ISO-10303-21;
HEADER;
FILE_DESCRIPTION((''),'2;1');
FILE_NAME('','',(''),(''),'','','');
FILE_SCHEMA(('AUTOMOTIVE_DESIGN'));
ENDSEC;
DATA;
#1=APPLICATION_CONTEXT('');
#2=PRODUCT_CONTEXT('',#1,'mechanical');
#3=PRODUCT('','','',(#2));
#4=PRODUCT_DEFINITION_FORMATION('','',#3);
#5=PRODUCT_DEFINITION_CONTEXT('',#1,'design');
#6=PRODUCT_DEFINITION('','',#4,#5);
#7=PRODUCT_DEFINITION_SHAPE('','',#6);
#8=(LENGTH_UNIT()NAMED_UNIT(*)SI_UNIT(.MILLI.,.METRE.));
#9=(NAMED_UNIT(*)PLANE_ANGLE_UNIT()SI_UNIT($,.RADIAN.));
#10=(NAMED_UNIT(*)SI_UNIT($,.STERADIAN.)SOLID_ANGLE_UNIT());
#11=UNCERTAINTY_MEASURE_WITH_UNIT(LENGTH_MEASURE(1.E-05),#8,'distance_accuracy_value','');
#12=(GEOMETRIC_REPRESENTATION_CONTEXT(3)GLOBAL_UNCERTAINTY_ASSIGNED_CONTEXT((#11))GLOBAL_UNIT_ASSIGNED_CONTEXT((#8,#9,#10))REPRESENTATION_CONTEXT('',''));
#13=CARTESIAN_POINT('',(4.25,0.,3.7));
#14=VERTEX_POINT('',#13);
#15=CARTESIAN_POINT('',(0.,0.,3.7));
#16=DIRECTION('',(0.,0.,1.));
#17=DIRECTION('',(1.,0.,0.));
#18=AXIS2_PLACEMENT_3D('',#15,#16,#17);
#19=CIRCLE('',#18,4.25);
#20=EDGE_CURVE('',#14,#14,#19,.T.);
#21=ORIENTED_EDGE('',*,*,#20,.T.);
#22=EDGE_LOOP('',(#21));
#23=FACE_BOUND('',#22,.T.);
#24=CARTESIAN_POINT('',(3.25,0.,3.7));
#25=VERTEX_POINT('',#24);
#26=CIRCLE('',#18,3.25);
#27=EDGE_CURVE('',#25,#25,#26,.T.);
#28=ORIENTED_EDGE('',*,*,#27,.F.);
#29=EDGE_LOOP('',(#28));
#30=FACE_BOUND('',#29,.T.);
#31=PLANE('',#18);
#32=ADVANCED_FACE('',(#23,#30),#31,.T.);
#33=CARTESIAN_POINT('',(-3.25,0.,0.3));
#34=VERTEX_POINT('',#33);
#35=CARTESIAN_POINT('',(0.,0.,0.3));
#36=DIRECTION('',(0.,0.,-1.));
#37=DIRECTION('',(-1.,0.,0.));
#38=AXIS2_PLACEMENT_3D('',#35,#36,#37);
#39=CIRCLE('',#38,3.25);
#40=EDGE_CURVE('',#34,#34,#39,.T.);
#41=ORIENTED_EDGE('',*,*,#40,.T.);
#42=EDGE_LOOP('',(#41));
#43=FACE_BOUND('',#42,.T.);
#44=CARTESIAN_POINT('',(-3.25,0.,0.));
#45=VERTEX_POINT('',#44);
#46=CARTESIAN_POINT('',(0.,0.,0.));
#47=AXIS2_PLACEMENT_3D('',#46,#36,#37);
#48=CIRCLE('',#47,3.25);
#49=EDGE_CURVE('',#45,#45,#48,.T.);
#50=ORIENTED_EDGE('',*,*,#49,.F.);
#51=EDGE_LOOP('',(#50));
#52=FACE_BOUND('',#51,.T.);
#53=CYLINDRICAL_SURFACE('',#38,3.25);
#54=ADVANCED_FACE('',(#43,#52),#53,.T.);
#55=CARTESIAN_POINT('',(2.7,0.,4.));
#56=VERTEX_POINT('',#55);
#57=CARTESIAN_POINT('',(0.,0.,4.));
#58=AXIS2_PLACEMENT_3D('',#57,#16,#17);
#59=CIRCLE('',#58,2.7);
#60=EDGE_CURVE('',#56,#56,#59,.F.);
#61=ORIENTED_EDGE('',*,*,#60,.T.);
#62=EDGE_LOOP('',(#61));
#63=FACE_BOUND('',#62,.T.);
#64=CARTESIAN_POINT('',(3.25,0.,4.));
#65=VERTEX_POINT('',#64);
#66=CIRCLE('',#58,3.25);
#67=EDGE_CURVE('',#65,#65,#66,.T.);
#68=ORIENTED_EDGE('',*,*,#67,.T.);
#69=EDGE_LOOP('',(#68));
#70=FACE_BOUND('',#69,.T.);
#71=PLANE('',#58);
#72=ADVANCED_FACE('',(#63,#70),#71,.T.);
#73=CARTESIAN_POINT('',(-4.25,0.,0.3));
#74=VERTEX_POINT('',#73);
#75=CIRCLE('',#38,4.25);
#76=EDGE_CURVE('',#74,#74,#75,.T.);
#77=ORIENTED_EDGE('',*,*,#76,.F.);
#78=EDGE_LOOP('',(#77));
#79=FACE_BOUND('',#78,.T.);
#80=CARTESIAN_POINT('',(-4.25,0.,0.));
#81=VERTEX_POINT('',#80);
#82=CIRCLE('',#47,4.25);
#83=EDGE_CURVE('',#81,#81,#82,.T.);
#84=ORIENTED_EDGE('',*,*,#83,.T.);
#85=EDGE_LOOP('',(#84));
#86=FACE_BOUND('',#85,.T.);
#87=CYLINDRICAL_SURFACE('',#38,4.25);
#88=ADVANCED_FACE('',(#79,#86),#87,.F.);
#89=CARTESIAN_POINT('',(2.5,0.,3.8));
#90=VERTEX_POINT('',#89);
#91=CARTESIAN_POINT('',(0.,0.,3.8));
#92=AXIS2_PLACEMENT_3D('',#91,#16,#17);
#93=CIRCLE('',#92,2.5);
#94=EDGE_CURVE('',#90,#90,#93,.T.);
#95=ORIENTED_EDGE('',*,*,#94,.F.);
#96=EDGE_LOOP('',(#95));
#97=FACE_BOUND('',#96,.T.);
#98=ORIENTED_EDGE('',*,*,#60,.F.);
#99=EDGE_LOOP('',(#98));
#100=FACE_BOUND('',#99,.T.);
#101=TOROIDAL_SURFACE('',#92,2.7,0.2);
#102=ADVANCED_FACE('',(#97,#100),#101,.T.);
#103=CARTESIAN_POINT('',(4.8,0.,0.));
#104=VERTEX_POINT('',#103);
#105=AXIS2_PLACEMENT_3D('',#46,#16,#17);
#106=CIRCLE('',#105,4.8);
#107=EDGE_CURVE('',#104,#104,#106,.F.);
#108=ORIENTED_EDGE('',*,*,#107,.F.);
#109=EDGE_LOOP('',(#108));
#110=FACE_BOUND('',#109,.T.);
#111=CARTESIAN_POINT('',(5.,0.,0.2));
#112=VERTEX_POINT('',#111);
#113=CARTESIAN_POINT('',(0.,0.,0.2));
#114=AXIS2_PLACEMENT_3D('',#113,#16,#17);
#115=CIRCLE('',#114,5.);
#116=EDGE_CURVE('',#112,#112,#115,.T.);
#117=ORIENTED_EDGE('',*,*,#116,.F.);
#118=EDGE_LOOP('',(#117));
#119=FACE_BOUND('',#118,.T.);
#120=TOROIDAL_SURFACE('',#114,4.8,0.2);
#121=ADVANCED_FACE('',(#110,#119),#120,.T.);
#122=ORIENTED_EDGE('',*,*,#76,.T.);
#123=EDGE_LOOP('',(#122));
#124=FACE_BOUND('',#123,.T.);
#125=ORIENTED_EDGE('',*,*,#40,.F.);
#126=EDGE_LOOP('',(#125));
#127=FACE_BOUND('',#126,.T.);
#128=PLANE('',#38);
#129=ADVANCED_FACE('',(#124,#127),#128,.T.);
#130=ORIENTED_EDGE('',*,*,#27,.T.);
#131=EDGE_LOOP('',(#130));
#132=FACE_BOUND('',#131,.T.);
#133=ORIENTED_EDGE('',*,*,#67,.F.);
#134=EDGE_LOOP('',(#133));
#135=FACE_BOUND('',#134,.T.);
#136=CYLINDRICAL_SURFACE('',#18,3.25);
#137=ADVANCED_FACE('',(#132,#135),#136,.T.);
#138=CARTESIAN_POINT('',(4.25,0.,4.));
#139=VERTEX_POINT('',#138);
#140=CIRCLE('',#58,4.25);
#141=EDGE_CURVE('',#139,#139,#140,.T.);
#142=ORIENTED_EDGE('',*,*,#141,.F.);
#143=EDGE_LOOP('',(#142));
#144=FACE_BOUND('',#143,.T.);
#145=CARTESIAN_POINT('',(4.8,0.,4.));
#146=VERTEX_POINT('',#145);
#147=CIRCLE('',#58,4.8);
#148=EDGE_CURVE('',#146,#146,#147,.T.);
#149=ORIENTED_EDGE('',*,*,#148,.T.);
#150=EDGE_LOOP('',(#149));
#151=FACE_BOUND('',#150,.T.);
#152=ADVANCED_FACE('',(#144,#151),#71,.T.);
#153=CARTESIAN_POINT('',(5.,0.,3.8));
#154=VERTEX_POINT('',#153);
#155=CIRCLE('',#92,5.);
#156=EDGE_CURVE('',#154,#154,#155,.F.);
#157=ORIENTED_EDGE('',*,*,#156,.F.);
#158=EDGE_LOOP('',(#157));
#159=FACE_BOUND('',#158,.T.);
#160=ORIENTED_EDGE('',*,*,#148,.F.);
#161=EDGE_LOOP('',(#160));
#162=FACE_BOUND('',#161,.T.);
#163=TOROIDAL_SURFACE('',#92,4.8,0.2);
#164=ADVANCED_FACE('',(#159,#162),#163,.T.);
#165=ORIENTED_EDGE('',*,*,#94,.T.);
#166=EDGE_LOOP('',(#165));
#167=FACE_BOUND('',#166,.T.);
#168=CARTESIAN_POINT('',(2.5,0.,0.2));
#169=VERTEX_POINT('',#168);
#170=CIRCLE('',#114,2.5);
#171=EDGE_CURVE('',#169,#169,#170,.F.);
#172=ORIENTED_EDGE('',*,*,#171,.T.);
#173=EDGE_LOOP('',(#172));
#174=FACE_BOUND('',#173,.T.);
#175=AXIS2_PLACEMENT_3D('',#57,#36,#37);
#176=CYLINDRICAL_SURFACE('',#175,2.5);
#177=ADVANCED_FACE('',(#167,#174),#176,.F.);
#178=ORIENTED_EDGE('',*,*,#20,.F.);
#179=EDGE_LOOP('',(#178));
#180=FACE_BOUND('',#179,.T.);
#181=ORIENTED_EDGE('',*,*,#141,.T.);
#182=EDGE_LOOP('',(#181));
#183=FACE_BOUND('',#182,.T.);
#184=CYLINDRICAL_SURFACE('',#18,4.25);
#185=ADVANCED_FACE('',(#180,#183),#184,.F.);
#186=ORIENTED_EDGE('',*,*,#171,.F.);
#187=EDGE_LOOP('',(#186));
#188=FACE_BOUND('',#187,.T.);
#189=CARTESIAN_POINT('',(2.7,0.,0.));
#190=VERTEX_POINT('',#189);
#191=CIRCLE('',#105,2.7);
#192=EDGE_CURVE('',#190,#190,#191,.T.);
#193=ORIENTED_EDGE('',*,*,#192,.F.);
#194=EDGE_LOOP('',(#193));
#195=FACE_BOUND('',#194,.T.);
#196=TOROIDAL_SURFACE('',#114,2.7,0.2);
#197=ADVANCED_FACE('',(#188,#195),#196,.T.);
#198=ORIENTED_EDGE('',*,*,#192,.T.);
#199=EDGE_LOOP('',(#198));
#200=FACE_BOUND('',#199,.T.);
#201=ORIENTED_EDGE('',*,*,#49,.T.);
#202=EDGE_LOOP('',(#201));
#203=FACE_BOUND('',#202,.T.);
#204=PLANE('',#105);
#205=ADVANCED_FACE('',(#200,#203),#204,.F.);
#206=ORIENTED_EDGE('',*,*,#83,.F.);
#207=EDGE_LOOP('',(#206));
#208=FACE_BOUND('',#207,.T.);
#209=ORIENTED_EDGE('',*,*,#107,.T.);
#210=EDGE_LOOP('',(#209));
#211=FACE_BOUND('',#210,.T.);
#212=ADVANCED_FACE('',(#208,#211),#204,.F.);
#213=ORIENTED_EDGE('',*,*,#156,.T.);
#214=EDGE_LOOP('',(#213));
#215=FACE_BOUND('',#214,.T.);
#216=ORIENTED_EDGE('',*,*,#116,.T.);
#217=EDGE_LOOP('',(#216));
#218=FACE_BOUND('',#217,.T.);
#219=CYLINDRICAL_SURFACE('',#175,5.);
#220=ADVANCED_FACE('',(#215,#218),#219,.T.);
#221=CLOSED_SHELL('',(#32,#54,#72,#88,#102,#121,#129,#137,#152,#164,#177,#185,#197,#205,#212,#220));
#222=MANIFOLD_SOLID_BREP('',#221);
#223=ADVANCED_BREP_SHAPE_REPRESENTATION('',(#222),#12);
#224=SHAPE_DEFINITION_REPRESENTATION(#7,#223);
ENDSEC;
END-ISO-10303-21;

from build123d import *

# Parameters (mm, degrees)
SKETCH_1_R          = 5
SKETCH_1_R_2        = 2.5
EXTRUDE_1_DEPTH     = 4
SKETCH_4_R          = 4.25
SKETCH_4_R_2        = 3.25
CUT_EXTRUDE_3_DEPTH = 0.3
SKETCH_5_R          = 4.25
SKETCH_5_R_2        = 3.25
CUT_EXTRUDE_4_DEPTH = 0.3
FILLET_2_R          = 0.2


with BuildPart() as part:
    # Эскиз1 → Бобышка-Вытянуть1 (new body)
    with BuildSketch(Plane.XY):
        Circle(SKETCH_1_R)
        Circle(SKETCH_1_R_2, mode=Mode.SUBTRACT)
    extrude(amount=EXTRUDE_1_DEPTH)

    # Эскиз4 → Вырез-Вытянуть3 (cut)
    with BuildSketch(Plane.XY.offset(4)):
        Circle(SKETCH_4_R)
        Circle(SKETCH_4_R_2, mode=Mode.SUBTRACT)
    extrude(amount=-CUT_EXTRUDE_3_DEPTH, mode=Mode.SUBTRACT)

    # Эскиз5 → Вырез-Вытянуть4 (cut)
    with BuildSketch(Plane(origin=(0, 0, 0), x_dir=(-1, 0, 0), z_dir=(0, 0, -1))):
        Circle(SKETCH_5_R)
        Circle(SKETCH_5_R_2, mode=Mode.SUBTRACT)
    extrude(amount=-CUT_EXTRUDE_4_DEPTH, mode=Mode.SUBTRACT)

    # Скругление2
    fillet_2_edges = [part.edges().sort_by_distance(p)[0] for p in [
        (-5, 0, 4),
        (-5, 0, 0),
        (-2.5, 0, 0),
        (-2.5, 0, 4),
    ]]
    fillet(fillet_2_edges, radius=FILLET_2_R)


solid = part.part
